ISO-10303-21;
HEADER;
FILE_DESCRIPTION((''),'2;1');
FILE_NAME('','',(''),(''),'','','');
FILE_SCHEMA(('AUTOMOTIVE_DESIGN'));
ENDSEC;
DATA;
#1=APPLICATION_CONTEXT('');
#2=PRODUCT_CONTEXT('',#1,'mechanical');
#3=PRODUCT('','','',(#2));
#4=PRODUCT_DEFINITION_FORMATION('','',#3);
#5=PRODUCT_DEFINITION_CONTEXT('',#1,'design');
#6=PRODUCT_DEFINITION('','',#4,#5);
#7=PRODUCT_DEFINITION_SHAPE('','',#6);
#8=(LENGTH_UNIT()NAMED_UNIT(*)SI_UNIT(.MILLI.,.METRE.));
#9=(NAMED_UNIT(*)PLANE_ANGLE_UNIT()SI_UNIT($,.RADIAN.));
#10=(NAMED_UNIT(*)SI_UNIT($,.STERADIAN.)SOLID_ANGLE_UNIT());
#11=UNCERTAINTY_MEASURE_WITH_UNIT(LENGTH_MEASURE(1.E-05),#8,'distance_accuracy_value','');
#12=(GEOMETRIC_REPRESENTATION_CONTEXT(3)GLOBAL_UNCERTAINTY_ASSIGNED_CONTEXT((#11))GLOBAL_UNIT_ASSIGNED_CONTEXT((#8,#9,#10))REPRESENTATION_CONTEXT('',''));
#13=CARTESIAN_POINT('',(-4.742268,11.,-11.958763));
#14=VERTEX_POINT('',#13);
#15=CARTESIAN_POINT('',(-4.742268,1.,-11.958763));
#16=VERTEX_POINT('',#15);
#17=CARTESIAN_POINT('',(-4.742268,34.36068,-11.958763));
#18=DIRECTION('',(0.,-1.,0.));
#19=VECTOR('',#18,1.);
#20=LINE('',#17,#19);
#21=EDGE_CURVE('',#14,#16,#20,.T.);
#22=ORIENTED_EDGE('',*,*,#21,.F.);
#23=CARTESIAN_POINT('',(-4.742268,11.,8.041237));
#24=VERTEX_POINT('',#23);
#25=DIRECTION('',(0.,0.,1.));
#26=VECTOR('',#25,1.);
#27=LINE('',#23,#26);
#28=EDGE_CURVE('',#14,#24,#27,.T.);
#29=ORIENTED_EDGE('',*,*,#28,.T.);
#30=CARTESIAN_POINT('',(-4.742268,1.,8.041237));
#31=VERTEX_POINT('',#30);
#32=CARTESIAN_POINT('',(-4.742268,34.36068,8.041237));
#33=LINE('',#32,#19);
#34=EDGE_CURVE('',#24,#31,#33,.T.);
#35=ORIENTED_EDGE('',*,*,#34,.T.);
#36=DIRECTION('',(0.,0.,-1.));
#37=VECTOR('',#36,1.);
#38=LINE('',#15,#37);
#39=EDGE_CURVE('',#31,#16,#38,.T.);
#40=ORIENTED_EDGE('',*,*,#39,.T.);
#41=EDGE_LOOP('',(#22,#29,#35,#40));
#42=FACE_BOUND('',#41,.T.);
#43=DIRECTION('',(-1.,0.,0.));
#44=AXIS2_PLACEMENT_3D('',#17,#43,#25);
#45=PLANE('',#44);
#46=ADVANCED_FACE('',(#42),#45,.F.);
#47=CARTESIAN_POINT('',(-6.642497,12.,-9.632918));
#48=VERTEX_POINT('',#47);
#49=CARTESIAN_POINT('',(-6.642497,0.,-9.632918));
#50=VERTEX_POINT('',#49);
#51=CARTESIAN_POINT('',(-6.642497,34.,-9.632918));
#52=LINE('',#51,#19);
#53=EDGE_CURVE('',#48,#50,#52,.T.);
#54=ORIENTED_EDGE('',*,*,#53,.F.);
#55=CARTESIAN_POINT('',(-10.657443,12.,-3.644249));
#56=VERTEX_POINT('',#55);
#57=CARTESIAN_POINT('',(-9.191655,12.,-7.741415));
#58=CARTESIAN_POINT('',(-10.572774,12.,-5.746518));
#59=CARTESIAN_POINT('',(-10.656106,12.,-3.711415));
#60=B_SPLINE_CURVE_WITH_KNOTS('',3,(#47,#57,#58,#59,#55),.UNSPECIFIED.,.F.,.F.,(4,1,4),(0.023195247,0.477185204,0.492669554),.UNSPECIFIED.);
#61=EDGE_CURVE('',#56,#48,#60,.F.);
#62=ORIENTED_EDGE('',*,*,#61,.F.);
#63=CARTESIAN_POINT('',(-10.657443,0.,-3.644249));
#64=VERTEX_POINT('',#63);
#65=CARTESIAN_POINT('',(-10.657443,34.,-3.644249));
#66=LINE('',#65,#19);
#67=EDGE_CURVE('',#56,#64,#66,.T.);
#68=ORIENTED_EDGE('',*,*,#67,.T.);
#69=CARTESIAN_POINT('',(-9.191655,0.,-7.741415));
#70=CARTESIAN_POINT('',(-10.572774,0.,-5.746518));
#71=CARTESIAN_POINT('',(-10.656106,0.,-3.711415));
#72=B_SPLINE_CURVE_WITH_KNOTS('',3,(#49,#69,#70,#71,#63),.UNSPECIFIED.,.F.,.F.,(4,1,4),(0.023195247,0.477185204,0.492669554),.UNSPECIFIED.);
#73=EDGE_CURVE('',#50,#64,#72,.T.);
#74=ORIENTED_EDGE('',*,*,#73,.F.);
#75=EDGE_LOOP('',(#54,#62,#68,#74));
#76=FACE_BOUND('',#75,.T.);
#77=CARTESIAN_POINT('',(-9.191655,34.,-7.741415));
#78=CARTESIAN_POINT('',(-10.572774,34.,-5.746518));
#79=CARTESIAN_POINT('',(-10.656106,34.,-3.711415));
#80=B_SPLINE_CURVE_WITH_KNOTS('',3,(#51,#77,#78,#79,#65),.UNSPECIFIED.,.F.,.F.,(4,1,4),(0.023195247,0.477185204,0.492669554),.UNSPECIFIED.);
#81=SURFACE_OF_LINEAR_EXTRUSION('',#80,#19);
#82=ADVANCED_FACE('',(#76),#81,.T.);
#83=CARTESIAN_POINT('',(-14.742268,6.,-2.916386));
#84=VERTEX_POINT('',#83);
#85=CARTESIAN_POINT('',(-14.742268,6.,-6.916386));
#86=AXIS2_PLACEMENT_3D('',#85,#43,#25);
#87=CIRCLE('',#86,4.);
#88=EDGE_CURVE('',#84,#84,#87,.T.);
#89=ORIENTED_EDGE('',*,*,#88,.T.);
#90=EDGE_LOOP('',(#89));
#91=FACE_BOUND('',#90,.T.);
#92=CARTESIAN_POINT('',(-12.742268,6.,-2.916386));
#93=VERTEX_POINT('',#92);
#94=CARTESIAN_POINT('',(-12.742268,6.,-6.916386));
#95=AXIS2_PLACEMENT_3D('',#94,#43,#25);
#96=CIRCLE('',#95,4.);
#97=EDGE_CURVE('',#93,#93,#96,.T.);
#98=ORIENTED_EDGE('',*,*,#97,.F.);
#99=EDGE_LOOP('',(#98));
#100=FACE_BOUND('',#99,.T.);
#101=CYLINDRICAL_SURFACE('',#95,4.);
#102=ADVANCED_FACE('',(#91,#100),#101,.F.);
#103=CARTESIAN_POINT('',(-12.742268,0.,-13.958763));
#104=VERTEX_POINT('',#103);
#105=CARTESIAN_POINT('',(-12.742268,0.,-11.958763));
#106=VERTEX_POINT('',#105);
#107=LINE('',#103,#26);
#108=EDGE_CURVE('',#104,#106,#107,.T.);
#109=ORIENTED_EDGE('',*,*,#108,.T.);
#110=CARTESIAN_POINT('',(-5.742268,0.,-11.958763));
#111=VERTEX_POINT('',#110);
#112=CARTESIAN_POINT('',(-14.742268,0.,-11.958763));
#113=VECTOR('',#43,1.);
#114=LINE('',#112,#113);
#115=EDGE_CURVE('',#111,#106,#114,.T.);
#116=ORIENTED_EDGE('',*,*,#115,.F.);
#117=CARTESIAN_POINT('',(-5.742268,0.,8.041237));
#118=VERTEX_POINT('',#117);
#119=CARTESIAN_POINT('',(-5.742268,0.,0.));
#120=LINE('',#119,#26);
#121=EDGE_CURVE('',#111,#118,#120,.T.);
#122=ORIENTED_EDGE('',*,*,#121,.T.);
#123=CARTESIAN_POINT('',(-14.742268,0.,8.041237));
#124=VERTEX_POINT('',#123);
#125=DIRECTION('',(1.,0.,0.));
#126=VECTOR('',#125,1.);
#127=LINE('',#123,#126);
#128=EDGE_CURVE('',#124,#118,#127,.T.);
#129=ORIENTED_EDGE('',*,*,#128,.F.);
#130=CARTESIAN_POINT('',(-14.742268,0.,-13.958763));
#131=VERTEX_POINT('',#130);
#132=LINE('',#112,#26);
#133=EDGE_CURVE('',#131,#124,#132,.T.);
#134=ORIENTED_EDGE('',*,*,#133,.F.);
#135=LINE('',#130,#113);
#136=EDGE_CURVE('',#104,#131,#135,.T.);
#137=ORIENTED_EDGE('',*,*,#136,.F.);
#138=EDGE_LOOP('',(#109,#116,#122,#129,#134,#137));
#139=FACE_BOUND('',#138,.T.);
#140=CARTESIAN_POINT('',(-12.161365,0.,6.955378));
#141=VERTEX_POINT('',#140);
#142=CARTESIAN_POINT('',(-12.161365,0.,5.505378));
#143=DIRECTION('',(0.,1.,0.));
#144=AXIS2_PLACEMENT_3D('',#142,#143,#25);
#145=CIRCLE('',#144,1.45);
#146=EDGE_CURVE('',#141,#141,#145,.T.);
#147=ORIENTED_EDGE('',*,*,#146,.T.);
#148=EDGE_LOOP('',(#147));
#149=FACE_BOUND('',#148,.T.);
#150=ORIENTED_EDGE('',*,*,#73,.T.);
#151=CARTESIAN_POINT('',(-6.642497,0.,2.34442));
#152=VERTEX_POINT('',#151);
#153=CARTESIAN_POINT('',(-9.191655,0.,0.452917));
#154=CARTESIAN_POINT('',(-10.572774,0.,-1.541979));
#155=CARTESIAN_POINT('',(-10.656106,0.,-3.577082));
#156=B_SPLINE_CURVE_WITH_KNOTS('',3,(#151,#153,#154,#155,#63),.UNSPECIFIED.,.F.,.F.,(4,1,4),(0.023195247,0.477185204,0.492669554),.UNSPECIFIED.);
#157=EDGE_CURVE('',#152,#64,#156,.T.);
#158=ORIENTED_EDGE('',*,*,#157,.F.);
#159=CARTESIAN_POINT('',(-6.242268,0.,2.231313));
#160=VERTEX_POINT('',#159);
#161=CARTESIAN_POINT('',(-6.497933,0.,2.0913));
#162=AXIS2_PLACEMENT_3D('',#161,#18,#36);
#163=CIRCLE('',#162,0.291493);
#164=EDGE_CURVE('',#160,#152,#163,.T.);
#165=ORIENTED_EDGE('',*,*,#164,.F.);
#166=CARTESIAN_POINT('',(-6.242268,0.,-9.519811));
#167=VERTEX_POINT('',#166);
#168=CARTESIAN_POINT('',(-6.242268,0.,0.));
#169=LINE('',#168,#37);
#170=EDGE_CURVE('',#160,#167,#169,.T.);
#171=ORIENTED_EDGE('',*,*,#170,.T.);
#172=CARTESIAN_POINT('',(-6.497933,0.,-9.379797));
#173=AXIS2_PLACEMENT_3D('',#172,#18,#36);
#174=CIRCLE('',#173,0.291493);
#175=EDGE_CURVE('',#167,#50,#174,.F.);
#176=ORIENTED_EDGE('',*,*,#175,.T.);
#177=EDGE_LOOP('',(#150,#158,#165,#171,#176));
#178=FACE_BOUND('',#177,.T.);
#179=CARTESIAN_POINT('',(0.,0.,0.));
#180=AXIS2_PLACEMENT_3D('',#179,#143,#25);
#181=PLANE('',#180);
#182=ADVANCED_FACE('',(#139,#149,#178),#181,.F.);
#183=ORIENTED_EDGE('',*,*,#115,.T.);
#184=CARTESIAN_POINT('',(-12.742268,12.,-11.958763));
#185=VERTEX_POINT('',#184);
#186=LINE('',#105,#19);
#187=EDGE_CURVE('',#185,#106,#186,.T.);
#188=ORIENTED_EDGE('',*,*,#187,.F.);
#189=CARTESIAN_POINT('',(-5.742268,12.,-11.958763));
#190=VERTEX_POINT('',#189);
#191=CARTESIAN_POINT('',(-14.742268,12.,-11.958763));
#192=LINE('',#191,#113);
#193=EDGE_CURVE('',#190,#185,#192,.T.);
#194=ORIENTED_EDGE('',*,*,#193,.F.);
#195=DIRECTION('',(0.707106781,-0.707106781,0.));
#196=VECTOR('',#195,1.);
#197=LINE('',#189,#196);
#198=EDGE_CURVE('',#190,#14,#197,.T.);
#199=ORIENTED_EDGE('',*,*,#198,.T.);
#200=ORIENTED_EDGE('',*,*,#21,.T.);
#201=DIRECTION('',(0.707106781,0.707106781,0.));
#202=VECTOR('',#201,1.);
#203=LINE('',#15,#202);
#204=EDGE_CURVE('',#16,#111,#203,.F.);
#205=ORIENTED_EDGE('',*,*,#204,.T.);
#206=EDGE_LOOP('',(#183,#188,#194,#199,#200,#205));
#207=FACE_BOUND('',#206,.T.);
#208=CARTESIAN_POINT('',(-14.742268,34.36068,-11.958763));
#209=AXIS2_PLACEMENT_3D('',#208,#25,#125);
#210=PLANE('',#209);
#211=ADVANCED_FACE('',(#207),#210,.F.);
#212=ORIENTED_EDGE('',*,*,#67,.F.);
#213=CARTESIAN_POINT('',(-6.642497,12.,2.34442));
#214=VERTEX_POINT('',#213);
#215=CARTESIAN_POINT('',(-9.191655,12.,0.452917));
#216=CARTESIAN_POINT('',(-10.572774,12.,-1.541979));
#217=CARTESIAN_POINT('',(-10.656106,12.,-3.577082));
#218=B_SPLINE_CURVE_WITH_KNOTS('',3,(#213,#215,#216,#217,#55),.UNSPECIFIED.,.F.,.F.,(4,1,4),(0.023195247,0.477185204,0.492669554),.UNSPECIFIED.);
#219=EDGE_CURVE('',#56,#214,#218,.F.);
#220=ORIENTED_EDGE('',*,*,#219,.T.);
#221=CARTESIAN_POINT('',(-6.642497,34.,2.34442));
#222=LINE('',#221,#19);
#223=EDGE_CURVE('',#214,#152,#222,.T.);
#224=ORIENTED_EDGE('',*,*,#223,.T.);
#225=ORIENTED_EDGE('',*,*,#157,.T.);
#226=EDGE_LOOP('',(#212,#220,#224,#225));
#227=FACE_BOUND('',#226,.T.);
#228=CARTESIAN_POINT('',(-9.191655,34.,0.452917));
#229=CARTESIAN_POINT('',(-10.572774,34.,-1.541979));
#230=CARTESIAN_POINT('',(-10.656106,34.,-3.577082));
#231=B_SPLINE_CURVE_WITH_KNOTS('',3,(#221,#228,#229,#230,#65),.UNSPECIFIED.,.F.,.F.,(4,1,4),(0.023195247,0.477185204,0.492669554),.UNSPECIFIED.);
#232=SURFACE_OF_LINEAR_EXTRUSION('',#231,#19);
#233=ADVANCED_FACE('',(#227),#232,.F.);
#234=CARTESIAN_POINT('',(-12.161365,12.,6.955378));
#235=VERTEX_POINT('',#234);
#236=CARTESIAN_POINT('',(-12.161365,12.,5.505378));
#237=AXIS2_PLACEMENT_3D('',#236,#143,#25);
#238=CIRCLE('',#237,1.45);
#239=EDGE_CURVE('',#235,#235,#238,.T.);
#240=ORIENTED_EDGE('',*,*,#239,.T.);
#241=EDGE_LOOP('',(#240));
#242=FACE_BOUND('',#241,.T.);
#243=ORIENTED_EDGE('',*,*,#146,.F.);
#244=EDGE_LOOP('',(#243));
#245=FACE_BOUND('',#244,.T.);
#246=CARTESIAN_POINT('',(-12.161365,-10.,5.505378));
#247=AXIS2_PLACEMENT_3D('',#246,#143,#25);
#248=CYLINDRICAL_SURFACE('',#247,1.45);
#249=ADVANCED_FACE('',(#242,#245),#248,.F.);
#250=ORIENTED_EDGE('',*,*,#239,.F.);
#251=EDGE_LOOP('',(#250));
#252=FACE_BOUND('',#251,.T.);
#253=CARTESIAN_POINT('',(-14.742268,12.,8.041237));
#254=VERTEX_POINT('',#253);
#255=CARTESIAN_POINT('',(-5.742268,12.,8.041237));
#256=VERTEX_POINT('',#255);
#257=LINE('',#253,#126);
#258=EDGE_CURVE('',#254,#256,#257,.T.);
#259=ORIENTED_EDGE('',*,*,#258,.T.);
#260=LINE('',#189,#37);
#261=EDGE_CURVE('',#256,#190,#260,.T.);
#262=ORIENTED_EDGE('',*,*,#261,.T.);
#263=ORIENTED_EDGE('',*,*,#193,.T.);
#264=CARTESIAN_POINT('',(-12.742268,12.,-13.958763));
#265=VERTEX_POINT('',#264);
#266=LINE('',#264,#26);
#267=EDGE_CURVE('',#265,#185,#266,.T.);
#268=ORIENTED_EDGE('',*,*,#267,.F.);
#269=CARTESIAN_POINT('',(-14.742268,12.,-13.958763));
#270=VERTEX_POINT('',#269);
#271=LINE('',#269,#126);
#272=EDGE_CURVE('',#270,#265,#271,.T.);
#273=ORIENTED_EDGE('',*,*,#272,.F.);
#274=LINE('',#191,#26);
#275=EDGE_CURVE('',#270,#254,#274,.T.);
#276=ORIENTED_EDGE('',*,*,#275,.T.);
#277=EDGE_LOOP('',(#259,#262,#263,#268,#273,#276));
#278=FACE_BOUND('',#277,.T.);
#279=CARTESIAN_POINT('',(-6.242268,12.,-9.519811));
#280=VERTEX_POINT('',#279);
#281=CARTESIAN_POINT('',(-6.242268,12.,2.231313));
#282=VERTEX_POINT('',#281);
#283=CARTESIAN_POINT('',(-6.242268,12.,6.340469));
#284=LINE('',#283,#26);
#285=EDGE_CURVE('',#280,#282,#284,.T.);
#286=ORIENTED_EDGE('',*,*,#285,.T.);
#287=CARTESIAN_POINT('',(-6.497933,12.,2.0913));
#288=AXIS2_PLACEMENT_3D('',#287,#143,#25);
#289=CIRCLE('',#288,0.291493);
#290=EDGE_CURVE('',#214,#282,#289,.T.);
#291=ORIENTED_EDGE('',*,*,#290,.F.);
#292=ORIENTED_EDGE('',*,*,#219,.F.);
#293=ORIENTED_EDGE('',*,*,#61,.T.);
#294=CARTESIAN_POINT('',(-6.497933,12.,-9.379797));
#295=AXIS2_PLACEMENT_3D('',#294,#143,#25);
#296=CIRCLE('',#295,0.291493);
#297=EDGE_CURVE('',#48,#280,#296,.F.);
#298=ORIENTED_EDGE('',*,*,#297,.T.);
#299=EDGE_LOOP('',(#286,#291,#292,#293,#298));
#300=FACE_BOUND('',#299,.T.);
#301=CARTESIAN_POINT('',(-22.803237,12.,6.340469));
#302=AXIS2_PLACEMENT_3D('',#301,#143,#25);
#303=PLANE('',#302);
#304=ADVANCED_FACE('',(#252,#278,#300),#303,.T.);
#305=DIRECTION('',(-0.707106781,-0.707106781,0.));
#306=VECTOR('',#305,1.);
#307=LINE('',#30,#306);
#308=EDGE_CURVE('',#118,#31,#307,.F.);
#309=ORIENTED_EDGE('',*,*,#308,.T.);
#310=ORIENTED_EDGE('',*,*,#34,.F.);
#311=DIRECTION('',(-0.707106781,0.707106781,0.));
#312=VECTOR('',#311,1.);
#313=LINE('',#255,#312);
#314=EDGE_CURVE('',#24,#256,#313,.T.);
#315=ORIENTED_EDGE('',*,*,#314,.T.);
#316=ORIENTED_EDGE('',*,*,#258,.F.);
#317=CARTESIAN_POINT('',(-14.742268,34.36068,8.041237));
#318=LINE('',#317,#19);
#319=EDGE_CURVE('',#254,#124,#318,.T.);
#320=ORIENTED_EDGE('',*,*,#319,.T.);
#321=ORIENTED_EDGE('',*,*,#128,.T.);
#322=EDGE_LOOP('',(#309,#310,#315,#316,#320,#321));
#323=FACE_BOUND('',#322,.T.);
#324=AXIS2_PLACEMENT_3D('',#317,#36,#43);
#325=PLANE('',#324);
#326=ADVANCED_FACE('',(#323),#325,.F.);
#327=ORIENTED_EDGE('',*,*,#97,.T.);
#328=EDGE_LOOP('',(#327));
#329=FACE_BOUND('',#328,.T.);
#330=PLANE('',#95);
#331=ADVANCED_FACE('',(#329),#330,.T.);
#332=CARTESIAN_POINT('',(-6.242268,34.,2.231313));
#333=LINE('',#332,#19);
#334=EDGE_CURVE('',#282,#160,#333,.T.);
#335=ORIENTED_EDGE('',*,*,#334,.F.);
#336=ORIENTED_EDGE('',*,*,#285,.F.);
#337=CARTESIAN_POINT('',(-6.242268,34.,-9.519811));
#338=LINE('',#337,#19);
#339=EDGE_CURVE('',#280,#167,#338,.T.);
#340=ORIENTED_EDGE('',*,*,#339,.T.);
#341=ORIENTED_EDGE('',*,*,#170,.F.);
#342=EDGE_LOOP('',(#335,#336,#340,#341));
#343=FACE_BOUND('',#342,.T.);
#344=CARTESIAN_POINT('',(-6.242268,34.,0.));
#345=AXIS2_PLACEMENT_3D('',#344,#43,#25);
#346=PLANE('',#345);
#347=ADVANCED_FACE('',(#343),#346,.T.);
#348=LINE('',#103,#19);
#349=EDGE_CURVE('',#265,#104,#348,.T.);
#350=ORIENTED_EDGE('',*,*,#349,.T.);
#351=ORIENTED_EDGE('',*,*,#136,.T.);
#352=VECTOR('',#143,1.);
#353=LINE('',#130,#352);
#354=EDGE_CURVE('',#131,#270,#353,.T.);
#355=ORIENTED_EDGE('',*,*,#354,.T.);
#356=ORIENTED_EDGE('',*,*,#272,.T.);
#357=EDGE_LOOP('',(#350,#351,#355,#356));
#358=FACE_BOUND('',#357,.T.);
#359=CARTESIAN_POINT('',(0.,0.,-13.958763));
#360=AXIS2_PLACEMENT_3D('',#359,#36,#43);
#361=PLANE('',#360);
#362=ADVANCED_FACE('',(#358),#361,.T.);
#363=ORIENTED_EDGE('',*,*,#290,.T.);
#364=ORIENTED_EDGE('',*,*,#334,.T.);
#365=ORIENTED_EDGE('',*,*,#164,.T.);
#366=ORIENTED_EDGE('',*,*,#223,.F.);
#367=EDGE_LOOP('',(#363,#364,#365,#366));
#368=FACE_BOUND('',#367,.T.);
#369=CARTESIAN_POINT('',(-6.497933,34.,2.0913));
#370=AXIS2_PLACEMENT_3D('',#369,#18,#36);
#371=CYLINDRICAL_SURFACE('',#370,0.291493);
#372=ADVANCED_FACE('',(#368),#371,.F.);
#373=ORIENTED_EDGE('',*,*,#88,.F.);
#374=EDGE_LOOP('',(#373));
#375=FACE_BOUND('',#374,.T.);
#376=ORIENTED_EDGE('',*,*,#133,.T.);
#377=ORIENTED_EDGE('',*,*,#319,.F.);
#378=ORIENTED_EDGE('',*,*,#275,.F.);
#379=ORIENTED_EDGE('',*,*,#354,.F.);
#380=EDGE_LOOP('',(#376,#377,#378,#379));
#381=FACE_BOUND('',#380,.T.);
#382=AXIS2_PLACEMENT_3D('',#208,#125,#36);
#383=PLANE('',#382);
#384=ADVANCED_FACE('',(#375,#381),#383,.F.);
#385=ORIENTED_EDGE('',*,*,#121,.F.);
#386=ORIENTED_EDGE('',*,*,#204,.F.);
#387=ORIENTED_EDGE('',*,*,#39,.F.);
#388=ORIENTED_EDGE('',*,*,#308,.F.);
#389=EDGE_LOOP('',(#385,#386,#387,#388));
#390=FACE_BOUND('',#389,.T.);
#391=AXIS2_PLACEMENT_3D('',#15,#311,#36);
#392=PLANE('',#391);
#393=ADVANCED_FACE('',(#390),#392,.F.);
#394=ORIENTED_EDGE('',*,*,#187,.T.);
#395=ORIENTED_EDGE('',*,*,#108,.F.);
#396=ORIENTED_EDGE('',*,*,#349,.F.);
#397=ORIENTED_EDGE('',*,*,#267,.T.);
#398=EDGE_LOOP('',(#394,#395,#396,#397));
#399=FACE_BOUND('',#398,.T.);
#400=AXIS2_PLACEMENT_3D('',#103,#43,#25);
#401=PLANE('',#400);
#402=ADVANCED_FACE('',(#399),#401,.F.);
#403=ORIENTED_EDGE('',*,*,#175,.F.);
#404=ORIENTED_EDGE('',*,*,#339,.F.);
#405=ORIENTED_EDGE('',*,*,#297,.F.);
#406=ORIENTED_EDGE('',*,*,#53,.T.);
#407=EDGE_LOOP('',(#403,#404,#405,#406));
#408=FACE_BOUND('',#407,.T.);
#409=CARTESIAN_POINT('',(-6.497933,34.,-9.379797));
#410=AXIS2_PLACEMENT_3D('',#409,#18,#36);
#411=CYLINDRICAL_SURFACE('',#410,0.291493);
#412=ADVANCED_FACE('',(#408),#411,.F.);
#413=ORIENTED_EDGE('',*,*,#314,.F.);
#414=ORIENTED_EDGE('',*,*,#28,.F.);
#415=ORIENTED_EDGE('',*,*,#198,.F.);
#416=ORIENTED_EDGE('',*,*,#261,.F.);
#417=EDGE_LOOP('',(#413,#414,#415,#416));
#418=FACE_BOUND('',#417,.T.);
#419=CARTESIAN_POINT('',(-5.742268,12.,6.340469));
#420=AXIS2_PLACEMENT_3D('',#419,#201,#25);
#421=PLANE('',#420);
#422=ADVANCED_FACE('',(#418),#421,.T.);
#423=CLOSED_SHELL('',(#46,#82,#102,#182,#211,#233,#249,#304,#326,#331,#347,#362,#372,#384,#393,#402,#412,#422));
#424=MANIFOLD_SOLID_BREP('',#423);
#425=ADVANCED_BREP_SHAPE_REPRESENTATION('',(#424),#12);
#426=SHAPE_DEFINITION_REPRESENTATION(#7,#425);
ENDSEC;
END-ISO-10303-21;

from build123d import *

# Parameters (mm, degrees)
SKETCH2_W           = 10
SKETCH2_H           = 20
BOSS_EXTRUDE1_DEPTH = 12
SKETCH4_R           = 1.45
CUT_EXTRUDE1_DEPTH  = 22
SKETCH5_R           = 0.201375714
CUT_EXTRUDE2_DEPTH  = 34
SKETCH6_R           = 4
CUT_EXTRUDE3_DEPTH  = 2
SKETCH7_W           = 2
SKETCH7_H           = 12
BOSS_EXTRUDE4_DEPTH = 2
CHAMFER1_SIZE       = 1


with BuildPart() as part:
    # Sketch2 → Boss-Extrude1 (new body)
    with BuildSketch(Plane(origin=(0, 0, 0), x_dir=(1, 0, 0), z_dir=(0, 1, 0))):
        with Locations((-9.742268041, 1.958762887)):
            Rectangle(SKETCH2_W, SKETCH2_H)
    extrude(amount=BOSS_EXTRUDE1_DEPTH)

    # Sketch4 → Cut-Extrude1 (cut)
    with BuildSketch(Plane(origin=(0, 12, 0), x_dir=(1, 0, 0), z_dir=(0, 1, 0))):
        with Locations(Location((-12.161364559, -5.505377828, 0), (0, 0, 270))):
            Circle(SKETCH4_R)
    extrude(amount=-CUT_EXTRUDE1_DEPTH, mode=Mode.SUBTRACT)

    # Sketch5 → Cut-Extrude2 (cut)
    # profile 1 of 2: a face of its own
    with BuildSketch(Plane.XZ):
        with BuildLine():
            Line((-6.242268041, -9.519810645), (-6.242268041, 2.231313467))
            ThreePointArc((-6.242268041, 2.231313467), (-6.418660257, 2.371807213), (-6.642496519, 2.344420462))
            add(Edge.make_bspline(
                [(-6.642496519, 2.344420462), (-6.66140925, 2.33038701), (-6.68025518, 2.316351489), (-6.699034308, 2.302313899)],
                knots=[0.023195247, 0.023195247, 0.023195247, 0.023195247, 0.026563492, 0.026563492, 0.026563492, 0.026563492], degree=3))
            add(Edge.make_bspline(
                [(-6.699034308, 2.302313899), (-9.211405567, 0.424290628), (-10.573371912, -1.556580292), (-10.656105812, -3.577082439), (-10.65744251, -3.644248589)],
                knots=[0.026563492, 0.026563492, 0.026563492, 0.026563492, 0.477185204, 0.492669554, 0.492669554, 0.492669554, 0.492669554], degree=3))
            add(Edge.make_bspline(
                [(-6.699034308, -9.590811077), (-9.211405567, -7.712787806), (-10.573371912, -5.731916886), (-10.656105812, -3.711414739), (-10.65744251, -3.644248589)],
                knots=[0.026563492, 0.026563492, 0.026563492, 0.026563492, 0.477185204, 0.492669554, 0.492669554, 0.492669554, 0.492669554], degree=3))
            add(Edge.make_bspline(
                [(-6.642496519, -9.63291764), (-6.66140925, -9.618884188), (-6.68025518, -9.604848667), (-6.699034308, -9.590811077)],
                knots=[0.023195247, 0.023195247, 0.023195247, 0.023195247, 0.026563492, 0.026563492, 0.026563492, 0.026563492], degree=3))
            ThreePointArc((-6.642496519, -9.63291764), (-6.418660257, -9.660304391), (-6.242268041, -9.519810645))
        make_face()
        with Locations((-7.81457768, -3.845615826)):
            Circle(SKETCH5_R, mode=Mode.SUBTRACT)
    # profile 2 of 2: a face of its own
    with BuildSketch(Plane.XZ):
        with Locations((-7.81457768, -3.845615826)):
            Circle(SKETCH5_R)
    extrude(amount=-CUT_EXTRUDE2_DEPTH, mode=Mode.SUBTRACT)

    # Sketch6 → Cut-Extrude3 (cut)
    with BuildSketch(Plane.ZY.offset(14.742268041)):
        with Locations((-6.916385821, 6)):
            Circle(SKETCH6_R)
    extrude(amount=-CUT_EXTRUDE3_DEPTH, mode=Mode.SUBTRACT)

    # Sketch7 → Boss-Extrude4 (add)
    with BuildSketch(Plane(origin=(0, 0, -11.958762887), x_dir=(-1, 0, 0), z_dir=(0, 0, -1))):
        with Locations((13.742268041, 6)):
            Rectangle(SKETCH7_W, SKETCH7_H)
    extrude(amount=BOSS_EXTRUDE4_DEPTH)

    # Chamfer1
    chamfer1_edges = [part.edges().sort_by_distance(p)[0] for p in [
        (-4.742268041, 0, -1.958762887),
        (-4.742268041, 12, -1.958762887),
    ]]
    chamfer(chamfer1_edges, length=CHAMFER1_SIZE)


solid = part.part
